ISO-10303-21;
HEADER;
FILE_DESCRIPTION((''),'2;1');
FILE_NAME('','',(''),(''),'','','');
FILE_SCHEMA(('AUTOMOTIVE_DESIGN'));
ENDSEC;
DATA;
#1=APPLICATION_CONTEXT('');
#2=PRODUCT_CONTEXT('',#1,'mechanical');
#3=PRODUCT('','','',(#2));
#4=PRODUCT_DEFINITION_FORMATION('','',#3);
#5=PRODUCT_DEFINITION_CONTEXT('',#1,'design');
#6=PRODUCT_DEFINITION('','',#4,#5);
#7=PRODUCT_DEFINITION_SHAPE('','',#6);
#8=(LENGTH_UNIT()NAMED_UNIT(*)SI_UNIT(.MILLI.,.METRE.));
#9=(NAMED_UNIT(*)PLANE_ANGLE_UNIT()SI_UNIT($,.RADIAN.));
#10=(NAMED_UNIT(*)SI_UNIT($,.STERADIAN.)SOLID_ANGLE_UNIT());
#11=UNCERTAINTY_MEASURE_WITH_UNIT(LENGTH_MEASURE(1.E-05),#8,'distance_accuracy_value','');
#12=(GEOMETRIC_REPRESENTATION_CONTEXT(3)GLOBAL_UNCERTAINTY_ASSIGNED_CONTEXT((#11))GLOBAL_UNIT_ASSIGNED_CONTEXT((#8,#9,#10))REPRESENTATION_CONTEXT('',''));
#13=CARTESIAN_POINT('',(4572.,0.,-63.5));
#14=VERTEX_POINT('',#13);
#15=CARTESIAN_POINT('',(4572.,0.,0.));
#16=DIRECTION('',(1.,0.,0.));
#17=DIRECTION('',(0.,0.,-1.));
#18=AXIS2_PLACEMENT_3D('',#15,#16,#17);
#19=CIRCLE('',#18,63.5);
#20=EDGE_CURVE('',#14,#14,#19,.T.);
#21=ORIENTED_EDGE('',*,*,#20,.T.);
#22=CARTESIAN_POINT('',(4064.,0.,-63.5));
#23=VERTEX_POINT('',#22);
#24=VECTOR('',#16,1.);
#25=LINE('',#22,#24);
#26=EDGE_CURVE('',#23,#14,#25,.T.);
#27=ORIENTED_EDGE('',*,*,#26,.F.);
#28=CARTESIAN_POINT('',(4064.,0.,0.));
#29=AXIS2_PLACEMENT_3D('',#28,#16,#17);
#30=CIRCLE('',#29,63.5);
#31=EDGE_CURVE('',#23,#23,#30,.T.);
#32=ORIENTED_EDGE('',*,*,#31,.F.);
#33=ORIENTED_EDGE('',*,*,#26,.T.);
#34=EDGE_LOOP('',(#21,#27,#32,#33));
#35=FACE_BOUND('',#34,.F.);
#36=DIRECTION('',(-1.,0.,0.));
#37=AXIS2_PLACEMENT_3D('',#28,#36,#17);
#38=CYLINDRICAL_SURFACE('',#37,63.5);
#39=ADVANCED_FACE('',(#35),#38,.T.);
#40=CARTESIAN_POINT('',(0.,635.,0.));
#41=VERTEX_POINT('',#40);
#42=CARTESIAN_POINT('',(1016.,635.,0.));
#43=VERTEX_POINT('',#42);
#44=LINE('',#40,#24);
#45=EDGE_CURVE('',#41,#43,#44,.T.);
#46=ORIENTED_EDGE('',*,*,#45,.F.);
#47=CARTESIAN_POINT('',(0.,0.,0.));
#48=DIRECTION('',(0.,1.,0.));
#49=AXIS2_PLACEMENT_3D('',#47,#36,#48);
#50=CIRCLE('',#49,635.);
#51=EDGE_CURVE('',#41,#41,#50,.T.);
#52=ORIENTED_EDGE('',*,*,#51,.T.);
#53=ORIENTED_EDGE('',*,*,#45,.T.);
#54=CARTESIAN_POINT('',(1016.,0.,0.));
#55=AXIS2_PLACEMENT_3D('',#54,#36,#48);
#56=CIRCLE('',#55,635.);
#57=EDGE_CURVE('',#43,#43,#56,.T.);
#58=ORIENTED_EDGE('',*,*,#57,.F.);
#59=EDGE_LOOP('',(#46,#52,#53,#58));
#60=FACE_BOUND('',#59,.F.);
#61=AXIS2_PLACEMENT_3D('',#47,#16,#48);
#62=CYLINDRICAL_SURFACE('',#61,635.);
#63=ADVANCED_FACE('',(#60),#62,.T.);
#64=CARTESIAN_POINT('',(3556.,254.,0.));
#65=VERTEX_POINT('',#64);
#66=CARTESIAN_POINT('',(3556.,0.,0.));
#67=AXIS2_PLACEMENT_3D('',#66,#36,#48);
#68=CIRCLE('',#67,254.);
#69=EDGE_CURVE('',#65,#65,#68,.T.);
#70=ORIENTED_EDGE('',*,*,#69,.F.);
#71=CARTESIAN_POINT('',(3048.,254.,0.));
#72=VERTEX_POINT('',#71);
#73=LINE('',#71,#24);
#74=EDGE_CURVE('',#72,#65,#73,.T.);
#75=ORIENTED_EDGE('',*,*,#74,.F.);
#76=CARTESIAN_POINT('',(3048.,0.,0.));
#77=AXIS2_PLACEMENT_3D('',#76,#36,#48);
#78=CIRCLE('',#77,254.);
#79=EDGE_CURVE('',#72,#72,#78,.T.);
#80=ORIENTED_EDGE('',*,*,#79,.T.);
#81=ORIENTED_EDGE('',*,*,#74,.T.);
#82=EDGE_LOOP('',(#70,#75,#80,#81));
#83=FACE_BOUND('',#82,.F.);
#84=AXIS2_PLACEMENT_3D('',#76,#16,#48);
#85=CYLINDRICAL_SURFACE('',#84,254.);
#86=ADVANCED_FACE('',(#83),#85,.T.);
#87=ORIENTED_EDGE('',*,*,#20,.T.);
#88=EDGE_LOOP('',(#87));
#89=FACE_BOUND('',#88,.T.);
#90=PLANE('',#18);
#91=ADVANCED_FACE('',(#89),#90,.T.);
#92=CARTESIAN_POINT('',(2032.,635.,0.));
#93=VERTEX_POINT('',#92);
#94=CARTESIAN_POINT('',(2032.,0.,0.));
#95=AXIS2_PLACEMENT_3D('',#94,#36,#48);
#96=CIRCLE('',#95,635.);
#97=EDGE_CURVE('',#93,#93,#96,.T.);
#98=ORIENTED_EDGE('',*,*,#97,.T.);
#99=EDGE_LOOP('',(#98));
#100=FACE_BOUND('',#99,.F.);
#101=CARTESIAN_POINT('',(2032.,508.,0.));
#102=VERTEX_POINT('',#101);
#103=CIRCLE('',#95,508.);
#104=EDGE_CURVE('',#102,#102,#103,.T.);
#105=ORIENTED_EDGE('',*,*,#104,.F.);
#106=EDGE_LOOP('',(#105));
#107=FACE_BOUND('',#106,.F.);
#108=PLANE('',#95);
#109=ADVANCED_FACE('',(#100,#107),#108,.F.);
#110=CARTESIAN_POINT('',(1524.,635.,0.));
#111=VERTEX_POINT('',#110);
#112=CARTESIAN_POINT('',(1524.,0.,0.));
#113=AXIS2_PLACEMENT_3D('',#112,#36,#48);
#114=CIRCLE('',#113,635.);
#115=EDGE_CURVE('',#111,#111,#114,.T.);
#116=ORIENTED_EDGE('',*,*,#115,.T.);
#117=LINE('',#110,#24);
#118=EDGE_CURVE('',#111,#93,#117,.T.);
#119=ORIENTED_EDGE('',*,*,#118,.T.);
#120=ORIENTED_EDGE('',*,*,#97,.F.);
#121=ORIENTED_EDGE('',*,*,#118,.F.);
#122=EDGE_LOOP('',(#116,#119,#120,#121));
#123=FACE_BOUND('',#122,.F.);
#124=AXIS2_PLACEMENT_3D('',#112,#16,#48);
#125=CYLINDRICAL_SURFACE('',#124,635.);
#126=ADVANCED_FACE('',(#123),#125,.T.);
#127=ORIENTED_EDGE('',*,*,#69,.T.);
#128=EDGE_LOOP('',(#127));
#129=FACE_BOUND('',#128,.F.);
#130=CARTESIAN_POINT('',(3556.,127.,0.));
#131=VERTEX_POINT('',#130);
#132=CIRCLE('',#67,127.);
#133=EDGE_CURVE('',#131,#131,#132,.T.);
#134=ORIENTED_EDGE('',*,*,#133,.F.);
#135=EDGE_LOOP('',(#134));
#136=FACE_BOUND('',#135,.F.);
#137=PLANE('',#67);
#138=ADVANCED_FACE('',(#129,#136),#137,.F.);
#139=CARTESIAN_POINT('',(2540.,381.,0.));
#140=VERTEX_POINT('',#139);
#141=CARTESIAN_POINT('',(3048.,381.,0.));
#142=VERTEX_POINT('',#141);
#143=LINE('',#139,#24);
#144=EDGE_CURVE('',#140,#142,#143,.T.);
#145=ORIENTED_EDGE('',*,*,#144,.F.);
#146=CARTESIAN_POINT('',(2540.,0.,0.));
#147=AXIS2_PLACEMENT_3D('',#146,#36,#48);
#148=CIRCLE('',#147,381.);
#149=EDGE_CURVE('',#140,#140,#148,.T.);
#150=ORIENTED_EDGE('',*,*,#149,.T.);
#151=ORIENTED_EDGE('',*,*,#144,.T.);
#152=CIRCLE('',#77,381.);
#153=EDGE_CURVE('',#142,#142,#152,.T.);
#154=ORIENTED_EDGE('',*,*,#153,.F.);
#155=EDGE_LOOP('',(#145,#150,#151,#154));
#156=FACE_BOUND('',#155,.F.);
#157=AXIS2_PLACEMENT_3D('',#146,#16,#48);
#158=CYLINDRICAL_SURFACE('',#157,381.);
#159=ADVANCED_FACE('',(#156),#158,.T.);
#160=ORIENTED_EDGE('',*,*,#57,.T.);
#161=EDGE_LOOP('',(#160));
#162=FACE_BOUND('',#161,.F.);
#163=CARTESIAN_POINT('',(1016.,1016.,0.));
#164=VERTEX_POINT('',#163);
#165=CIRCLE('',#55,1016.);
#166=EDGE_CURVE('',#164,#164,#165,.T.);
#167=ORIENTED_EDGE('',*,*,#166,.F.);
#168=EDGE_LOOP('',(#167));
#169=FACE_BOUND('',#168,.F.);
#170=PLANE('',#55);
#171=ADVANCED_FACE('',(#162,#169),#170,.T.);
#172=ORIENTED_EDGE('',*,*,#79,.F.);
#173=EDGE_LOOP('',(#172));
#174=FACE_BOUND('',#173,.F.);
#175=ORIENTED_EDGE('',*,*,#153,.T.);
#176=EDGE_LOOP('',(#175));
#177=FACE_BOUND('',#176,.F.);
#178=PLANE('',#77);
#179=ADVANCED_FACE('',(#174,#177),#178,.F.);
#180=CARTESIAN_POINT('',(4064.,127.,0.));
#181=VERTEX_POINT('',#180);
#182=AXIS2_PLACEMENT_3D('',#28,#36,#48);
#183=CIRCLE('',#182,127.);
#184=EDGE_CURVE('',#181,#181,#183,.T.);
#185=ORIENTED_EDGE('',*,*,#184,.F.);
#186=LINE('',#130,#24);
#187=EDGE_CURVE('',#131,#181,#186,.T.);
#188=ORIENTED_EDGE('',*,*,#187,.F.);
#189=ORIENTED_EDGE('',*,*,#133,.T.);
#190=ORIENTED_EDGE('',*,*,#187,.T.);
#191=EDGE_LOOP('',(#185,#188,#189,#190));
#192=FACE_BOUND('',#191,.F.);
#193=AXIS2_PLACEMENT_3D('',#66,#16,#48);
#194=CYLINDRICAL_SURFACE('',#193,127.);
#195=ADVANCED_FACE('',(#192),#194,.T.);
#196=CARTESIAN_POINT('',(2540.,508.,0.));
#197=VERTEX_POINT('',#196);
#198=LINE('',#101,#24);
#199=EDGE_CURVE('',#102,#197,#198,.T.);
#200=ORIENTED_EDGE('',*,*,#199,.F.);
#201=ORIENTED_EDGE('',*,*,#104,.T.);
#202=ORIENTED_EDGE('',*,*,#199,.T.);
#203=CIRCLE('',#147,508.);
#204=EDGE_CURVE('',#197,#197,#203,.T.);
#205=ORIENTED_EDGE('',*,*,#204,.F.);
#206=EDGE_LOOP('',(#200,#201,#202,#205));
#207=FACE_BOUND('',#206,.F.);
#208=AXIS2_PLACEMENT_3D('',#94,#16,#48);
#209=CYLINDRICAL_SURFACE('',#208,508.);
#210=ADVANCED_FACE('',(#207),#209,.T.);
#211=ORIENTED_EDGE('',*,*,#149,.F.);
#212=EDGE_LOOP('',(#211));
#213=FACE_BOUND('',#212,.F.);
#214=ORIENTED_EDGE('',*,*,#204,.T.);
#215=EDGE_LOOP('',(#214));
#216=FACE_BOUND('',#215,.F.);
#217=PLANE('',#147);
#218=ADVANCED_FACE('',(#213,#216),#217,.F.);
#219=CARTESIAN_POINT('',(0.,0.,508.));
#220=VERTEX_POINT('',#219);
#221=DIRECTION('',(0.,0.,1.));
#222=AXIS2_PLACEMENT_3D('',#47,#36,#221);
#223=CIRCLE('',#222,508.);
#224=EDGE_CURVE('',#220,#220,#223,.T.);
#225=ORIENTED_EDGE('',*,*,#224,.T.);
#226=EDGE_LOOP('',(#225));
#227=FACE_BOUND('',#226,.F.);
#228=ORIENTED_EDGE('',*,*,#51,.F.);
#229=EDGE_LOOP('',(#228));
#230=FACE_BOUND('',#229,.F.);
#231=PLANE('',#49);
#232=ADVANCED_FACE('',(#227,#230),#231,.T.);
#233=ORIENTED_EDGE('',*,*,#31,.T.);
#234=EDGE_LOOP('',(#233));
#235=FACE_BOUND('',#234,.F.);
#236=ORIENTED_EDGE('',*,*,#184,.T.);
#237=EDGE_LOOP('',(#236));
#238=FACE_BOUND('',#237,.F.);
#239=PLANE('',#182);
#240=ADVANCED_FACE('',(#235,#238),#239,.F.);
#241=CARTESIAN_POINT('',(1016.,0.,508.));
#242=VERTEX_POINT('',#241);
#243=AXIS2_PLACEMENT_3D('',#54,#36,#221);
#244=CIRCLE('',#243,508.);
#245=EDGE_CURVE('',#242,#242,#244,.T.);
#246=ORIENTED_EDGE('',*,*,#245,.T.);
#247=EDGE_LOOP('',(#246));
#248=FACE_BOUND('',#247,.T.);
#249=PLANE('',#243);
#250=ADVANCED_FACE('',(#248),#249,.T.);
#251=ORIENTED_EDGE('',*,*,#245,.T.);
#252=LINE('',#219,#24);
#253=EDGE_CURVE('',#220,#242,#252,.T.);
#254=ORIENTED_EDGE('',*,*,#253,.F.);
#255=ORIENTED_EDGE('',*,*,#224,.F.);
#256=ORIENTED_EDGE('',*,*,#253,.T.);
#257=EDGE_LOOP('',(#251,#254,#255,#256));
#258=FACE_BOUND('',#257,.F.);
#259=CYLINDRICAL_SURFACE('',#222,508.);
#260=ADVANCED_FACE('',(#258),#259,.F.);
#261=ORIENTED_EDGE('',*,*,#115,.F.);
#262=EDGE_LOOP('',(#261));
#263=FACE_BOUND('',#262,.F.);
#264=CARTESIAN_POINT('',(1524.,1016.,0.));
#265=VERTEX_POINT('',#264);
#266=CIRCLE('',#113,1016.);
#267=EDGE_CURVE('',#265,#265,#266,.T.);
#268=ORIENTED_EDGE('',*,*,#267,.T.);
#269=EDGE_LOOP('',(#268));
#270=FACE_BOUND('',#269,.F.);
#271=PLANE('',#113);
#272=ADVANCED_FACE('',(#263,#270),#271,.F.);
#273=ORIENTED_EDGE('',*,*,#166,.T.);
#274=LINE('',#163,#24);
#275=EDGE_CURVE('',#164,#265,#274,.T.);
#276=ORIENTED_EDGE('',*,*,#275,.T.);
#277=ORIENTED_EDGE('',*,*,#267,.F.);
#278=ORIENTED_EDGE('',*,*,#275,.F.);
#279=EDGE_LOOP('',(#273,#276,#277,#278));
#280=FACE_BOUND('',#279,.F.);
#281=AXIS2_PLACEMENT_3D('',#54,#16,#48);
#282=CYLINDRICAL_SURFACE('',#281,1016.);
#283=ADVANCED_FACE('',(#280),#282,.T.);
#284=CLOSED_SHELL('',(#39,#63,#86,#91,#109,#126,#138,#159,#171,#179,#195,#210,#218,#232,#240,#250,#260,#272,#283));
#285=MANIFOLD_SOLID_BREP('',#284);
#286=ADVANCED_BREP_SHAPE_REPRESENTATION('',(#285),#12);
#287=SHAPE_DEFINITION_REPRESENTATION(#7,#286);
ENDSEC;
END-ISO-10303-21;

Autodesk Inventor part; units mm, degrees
ref_plane "YZ Plane" through (0, 0, 0) normal (1, 0, 0) x (0, 1, 0)
ref_plane "XZ Plane" through (0, 0, 0) normal (0, 1, 0) x (-1, 0, 0)
ref_plane "XY Plane" through (0, 0, 0) normal (0, 0, 1) x (1, 0, 0)
sketch "草圖1" plane through (0, 0, 0) normal (0, 0, 1) x (1, 0, 0)
  line L0 (0, 0) -> (0, 635)
  line L1 (0, 635) -> (1016, 635)
  line L2 (1016, 635) -> (1016, 1016)
  line L3 (1016, 1016) -> (1524, 1016)
  line L4 (1524, 1016) -> (1524, 635)
  line L5 (1524, 635) -> (2032, 635)
  line L6 (2032, 635) -> (2032, 508)
  line L7 (2032, 508) -> (2540, 508)
  line L8 (2540, 508) -> (2540, 381)
  line L9 (2540, 381) -> (3048, 381)
  line L10 (3048, 381) -> (3048, 254)
  line L11 (3048, 254) -> (3556, 254)
  line L12 (3556, 254) -> (3556, 127)
  line L13 (3556, 0) -> (0, 0)
  line L14 (3556, 254) -> (3556, 127)
  line L15 (3556, 127) -> (4064, 127)
  line L16 (4064, 127) -> (4064, 0)
  line L17 (4064, 0) -> (3556, 0)
  dimension "d0" = 635
  dimension "d1" = 1016
  dimension "d2" = 381
  dimension "d3" = 508
  dimension "d4" = 508
  dimension "d5" = 127
  dimension "d6" = 508
  dimension "d7" = 127
  dimension "d8" = 508
  dimension "d9" = 127
  dimension "d10" = 508
  dimension "d11" = 127
  dimension "d12" = 508
revolve "迴轉1" add sketch "草圖1" angle 360 about axis through (3556, 0, 0) along (-1, 0, 0)
sketch "草圖2" plane through (0, 0, 0) normal (-1, 0, 0) x (0, 0, 1)
  circle A0 centre (0, 0) radius 127 projected
  circle A1 centre (0, 0) radius 508
  dimension "d14" = 1016
extrude "擠出1" cut sketch "草圖2" against normal blind 1016 contours A0 | A1
sketch "草圖3" plane through (4064, 0, 0) normal (1, 0, 0) x (0, 0, -1)
  circle A0 centre (0, 0) radius 127 projected
  circle A1 centre (0, 0) radius 63.5
  dimension "d17" = 127
extrude "擠出2" add sketch "草圖3" along normal blind 508 contours A1
